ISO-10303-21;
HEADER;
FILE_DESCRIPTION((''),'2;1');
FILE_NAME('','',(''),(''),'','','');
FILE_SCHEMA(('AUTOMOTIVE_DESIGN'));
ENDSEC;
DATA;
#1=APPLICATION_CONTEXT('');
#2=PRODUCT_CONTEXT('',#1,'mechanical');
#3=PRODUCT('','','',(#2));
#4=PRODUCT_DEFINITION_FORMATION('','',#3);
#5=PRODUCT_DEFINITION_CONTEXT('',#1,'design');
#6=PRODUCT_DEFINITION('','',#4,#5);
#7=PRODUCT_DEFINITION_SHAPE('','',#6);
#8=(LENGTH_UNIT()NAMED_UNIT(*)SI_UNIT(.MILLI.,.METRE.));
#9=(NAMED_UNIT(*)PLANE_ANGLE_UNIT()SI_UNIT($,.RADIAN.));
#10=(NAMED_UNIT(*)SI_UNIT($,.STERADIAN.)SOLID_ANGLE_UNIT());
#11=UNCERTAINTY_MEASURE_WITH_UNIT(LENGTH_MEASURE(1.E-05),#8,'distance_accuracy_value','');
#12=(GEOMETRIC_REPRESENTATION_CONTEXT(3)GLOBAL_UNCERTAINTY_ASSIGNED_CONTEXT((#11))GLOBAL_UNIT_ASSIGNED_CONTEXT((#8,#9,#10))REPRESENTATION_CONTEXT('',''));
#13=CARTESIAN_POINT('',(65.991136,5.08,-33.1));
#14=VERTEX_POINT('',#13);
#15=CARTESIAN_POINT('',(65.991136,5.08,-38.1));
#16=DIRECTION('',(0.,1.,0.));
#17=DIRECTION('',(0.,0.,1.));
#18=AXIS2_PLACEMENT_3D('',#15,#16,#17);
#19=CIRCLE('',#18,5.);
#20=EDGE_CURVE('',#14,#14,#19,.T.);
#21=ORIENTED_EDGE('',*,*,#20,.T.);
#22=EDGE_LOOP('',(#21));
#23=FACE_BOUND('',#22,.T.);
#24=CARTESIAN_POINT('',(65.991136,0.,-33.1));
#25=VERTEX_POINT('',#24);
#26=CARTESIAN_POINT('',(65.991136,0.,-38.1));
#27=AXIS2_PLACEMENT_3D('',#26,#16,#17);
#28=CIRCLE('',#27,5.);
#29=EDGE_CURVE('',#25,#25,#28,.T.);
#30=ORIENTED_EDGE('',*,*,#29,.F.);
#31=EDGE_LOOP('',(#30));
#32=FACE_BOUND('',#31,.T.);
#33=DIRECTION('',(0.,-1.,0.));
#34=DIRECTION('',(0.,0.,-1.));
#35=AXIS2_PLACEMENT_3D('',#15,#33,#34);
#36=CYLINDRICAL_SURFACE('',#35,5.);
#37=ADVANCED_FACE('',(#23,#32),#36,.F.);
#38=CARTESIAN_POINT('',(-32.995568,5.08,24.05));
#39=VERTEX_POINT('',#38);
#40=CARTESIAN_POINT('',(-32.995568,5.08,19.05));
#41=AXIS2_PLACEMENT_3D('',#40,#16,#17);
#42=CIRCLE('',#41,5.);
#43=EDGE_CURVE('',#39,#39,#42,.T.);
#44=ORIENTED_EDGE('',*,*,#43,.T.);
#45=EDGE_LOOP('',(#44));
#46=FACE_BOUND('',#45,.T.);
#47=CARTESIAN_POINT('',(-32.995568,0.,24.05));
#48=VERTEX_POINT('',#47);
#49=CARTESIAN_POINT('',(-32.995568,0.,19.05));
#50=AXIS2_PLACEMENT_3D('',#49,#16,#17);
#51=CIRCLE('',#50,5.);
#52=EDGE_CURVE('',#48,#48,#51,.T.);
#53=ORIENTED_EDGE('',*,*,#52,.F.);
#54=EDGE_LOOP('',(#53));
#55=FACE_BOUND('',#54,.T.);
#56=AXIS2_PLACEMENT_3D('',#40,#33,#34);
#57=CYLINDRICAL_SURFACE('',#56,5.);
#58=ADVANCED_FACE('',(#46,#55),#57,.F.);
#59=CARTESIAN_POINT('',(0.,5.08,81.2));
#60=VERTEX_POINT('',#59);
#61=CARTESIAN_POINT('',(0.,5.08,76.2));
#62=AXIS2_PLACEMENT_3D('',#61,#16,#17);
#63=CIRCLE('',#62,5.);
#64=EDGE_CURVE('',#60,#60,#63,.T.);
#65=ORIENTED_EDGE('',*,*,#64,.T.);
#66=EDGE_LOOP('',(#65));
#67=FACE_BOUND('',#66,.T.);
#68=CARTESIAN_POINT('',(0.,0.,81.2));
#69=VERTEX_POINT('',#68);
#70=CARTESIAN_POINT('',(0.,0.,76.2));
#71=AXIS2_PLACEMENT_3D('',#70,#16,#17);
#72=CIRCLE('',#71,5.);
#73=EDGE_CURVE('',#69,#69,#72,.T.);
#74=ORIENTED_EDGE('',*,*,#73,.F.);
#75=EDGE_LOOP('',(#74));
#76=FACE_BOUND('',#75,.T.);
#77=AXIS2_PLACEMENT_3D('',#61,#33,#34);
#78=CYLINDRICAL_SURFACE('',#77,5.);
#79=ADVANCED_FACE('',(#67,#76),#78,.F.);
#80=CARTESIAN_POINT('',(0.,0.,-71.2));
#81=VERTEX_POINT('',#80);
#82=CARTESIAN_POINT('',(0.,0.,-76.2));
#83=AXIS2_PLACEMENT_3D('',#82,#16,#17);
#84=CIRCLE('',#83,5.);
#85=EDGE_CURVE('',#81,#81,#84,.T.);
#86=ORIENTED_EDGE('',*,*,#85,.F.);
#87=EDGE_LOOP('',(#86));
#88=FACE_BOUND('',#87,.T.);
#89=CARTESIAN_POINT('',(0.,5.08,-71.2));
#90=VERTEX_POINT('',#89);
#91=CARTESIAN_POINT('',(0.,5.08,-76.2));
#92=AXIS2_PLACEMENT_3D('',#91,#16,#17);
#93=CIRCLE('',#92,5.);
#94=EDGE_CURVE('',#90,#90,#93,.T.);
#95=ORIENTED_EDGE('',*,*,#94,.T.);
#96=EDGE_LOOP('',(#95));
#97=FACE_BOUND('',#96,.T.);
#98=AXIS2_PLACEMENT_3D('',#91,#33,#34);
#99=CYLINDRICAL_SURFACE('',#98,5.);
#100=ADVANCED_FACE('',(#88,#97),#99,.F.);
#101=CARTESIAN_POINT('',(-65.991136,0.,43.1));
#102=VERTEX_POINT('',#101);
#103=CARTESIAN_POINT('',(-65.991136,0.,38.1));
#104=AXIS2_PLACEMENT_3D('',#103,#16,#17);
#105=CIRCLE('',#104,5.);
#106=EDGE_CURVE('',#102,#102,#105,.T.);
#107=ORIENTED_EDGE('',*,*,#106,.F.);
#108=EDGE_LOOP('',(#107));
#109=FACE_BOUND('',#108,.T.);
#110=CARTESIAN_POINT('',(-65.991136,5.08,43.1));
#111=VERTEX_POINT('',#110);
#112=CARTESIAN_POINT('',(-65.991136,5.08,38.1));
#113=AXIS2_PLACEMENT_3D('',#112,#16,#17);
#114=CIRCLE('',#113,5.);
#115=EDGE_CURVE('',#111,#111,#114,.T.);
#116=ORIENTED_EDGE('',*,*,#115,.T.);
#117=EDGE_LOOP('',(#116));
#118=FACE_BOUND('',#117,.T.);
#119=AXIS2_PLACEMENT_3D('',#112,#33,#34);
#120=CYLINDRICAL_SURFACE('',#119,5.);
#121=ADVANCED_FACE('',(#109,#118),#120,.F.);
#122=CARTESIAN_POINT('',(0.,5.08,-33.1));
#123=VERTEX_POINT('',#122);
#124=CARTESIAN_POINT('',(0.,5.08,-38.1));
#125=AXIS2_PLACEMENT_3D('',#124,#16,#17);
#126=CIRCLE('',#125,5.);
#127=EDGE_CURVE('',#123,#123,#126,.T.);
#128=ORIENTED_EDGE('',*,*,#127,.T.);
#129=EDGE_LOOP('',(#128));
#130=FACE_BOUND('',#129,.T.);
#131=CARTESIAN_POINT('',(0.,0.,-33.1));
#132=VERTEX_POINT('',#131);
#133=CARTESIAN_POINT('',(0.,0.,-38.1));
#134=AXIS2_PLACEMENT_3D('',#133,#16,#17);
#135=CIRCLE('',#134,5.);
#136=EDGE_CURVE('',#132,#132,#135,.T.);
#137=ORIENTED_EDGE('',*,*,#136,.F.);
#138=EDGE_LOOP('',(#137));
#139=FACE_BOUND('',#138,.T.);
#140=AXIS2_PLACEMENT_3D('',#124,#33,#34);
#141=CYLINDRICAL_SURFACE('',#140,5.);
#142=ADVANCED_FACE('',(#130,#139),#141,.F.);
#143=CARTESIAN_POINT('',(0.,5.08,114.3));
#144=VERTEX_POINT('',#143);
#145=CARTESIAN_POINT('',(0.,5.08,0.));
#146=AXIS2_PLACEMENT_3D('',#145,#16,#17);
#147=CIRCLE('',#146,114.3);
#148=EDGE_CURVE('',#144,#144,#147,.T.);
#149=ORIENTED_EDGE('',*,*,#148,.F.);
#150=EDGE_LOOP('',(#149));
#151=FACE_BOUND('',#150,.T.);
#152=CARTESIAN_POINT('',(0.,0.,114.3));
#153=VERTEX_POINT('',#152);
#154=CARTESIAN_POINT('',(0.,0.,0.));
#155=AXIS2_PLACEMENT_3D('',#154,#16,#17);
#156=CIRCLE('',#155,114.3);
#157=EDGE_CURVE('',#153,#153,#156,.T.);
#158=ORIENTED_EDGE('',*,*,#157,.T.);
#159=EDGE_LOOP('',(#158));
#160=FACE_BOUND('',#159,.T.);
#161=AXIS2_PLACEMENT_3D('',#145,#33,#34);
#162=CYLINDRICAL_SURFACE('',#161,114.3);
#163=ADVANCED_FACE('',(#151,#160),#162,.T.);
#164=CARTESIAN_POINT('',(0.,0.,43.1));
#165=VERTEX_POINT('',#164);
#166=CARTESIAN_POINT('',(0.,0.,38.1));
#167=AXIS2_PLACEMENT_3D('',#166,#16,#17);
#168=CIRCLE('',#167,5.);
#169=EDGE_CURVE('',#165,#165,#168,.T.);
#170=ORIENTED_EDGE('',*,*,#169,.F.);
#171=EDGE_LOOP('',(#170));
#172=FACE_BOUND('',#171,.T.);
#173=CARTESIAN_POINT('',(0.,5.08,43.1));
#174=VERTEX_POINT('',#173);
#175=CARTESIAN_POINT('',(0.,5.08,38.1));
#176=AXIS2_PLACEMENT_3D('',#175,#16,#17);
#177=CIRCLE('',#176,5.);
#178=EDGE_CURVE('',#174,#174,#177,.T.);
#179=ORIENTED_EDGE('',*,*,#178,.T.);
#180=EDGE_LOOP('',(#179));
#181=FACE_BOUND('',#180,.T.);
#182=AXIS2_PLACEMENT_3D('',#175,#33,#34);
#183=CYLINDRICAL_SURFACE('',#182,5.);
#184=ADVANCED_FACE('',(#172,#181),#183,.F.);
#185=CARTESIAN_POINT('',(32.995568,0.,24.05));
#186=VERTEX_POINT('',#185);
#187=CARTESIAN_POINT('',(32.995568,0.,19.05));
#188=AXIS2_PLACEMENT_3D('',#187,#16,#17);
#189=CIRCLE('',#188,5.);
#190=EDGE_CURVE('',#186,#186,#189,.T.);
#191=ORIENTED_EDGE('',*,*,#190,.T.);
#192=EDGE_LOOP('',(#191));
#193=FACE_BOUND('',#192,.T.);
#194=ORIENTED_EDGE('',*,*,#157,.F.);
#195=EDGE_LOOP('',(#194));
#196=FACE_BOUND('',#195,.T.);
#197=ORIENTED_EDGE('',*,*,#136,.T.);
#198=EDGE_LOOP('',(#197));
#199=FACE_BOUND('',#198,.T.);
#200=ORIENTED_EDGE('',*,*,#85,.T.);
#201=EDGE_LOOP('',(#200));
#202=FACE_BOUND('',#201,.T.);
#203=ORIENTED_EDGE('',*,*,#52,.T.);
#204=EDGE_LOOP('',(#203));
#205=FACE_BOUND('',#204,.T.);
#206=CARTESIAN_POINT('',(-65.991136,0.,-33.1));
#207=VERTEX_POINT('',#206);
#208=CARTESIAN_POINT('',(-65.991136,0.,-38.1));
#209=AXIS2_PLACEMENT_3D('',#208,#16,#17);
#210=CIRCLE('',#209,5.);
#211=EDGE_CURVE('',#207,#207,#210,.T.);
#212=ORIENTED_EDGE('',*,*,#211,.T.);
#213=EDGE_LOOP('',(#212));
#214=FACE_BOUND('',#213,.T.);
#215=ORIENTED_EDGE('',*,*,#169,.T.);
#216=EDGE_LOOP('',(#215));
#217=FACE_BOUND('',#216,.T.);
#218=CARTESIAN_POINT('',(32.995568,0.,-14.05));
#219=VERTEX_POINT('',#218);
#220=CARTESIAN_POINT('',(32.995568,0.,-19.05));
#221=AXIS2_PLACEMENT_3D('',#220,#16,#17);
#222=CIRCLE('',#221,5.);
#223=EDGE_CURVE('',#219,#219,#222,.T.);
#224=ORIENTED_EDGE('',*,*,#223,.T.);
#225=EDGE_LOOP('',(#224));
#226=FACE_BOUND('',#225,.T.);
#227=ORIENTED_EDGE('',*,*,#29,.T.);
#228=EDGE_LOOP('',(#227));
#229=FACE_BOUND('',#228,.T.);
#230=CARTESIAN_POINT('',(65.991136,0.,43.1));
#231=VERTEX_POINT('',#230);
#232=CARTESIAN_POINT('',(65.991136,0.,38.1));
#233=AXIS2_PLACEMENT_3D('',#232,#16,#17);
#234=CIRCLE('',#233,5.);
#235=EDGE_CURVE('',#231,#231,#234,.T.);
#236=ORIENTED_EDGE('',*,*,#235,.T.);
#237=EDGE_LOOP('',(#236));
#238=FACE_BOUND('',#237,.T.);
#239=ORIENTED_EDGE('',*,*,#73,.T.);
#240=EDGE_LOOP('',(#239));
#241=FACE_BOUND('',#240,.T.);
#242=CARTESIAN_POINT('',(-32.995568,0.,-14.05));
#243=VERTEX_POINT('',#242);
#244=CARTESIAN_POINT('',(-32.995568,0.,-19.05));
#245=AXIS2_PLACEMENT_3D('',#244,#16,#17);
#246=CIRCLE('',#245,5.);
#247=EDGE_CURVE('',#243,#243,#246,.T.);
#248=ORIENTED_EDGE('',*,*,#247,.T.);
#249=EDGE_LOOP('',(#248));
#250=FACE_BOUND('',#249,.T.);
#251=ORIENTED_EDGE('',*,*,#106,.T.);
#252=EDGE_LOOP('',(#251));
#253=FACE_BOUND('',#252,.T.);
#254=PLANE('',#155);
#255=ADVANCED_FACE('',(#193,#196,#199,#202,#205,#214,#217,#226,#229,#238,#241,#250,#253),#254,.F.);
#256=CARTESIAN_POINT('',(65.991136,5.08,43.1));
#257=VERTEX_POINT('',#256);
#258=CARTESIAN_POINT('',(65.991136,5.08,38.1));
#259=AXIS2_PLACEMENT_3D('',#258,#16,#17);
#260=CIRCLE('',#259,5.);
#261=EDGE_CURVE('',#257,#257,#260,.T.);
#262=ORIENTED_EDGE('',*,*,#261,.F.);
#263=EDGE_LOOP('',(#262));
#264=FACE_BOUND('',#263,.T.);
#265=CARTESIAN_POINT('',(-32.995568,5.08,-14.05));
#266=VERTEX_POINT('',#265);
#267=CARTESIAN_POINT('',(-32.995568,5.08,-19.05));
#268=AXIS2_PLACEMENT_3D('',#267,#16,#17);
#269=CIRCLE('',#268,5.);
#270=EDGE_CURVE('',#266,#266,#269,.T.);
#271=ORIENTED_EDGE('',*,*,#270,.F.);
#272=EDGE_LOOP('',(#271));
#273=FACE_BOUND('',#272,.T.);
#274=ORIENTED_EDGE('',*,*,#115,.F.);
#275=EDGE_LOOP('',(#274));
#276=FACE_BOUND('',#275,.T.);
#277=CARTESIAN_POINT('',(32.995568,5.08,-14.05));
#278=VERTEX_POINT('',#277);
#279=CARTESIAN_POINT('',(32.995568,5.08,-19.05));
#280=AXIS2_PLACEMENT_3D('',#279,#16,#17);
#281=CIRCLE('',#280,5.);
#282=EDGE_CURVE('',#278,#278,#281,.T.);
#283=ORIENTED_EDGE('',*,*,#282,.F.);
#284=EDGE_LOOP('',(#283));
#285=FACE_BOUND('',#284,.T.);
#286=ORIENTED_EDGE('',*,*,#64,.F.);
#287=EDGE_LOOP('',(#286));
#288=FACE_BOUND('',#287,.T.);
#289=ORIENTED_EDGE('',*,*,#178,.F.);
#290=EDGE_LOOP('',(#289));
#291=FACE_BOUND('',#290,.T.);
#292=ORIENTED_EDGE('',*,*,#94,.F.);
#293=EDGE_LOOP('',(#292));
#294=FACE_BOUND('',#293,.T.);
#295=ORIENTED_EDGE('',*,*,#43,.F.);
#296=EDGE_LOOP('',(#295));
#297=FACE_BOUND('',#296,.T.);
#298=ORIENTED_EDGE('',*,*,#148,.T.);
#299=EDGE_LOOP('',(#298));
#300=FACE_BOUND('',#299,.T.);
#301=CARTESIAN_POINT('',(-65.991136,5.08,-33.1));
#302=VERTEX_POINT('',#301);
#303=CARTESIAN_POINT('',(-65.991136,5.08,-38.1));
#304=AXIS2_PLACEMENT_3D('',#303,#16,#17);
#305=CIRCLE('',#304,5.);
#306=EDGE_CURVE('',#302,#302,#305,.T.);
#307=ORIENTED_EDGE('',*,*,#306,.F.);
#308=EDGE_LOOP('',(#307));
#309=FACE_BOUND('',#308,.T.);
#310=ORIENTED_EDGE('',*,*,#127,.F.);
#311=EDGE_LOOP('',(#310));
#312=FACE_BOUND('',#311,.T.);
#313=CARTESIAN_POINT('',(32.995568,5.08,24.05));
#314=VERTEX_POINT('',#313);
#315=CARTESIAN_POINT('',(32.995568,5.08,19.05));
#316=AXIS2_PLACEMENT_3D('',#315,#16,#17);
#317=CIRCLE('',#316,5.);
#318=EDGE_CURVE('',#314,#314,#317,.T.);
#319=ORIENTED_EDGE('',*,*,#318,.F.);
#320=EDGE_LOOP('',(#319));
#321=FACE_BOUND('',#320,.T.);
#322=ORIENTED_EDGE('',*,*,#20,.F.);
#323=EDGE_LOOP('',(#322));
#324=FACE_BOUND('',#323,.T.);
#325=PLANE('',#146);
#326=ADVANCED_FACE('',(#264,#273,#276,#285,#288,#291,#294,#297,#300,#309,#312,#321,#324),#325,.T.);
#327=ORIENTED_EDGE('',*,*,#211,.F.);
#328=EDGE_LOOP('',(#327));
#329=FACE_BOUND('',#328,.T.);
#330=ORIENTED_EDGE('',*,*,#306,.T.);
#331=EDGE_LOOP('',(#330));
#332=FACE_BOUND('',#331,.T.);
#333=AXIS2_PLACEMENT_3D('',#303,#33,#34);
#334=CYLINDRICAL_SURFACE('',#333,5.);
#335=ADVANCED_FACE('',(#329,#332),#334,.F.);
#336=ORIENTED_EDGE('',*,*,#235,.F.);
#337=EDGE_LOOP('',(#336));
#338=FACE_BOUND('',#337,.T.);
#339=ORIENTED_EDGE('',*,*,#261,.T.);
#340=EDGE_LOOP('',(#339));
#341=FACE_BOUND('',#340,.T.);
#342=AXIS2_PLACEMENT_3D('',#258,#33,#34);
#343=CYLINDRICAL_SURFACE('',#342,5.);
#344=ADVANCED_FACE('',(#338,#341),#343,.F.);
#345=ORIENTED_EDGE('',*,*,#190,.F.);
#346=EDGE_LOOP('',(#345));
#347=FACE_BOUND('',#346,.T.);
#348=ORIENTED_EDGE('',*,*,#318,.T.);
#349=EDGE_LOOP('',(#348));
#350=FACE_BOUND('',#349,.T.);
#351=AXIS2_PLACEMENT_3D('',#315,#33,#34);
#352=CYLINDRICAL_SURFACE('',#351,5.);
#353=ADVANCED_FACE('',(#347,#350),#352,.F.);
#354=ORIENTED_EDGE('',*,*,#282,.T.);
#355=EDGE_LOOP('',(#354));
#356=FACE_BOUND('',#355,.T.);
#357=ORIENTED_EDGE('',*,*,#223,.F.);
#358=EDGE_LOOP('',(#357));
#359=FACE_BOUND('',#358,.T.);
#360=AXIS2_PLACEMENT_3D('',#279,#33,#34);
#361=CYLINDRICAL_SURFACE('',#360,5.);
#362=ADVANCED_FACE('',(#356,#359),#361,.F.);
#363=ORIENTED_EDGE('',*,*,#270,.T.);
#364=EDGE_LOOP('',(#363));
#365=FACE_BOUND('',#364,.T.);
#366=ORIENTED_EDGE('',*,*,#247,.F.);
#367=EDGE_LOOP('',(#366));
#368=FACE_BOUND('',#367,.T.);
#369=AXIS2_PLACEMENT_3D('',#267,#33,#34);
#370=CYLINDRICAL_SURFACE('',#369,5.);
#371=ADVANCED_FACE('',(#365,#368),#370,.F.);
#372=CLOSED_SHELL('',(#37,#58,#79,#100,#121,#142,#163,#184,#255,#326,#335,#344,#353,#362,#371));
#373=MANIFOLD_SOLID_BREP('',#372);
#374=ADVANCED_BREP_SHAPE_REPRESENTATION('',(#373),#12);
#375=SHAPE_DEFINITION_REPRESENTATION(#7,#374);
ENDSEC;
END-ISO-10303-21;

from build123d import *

# Parameters (mm, degrees)
SKETCH2_R           = 114.3
SKETCH2_R_2         = 5
BOSS_EXTRUDE1_DEPTH = 5.08


with BuildPart() as part:
    # Sketch2 → Boss-Extrude1 (new body)
    with BuildSketch(Plane(origin=(0, 0, 0), x_dir=(1, 0, 0), z_dir=(0, 1, 0))):
        Circle(SKETCH2_R)
        with Locations((0, 38.1)):
            Circle(SKETCH2_R_2, mode=Mode.SUBTRACT)
        with Locations((0, 76.2)):
            Circle(SKETCH2_R_2, mode=Mode.SUBTRACT)
        with Locations((65.991135768, 38.1)):
            Circle(SKETCH2_R_2, mode=Mode.SUBTRACT)
        with Locations((32.995567884, 19.05)):
            Circle(SKETCH2_R_2, mode=Mode.SUBTRACT)
        with Locations((65.991135768, -38.1)):
            Circle(SKETCH2_R_2, mode=Mode.SUBTRACT)
        with Locations((32.995567884, -19.05)):
            Circle(SKETCH2_R_2, mode=Mode.SUBTRACT)
        with Locations((0, -76.2)):
            Circle(SKETCH2_R_2, mode=Mode.SUBTRACT)
        with Locations((0, -38.1)):
            Circle(SKETCH2_R_2, mode=Mode.SUBTRACT)
        with Locations((-65.991135768, -38.1)):
            Circle(SKETCH2_R_2, mode=Mode.SUBTRACT)
        with Locations((-32.995567884, -19.05)):
            Circle(SKETCH2_R_2, mode=Mode.SUBTRACT)
        with Locations((-65.991135768, 38.1)):
            Circle(SKETCH2_R_2, mode=Mode.SUBTRACT)
        with Locations((-32.995567884, 19.05)):
            Circle(SKETCH2_R_2, mode=Mode.SUBTRACT)
    extrude(amount=BOSS_EXTRUDE1_DEPTH)


solid = part.part
